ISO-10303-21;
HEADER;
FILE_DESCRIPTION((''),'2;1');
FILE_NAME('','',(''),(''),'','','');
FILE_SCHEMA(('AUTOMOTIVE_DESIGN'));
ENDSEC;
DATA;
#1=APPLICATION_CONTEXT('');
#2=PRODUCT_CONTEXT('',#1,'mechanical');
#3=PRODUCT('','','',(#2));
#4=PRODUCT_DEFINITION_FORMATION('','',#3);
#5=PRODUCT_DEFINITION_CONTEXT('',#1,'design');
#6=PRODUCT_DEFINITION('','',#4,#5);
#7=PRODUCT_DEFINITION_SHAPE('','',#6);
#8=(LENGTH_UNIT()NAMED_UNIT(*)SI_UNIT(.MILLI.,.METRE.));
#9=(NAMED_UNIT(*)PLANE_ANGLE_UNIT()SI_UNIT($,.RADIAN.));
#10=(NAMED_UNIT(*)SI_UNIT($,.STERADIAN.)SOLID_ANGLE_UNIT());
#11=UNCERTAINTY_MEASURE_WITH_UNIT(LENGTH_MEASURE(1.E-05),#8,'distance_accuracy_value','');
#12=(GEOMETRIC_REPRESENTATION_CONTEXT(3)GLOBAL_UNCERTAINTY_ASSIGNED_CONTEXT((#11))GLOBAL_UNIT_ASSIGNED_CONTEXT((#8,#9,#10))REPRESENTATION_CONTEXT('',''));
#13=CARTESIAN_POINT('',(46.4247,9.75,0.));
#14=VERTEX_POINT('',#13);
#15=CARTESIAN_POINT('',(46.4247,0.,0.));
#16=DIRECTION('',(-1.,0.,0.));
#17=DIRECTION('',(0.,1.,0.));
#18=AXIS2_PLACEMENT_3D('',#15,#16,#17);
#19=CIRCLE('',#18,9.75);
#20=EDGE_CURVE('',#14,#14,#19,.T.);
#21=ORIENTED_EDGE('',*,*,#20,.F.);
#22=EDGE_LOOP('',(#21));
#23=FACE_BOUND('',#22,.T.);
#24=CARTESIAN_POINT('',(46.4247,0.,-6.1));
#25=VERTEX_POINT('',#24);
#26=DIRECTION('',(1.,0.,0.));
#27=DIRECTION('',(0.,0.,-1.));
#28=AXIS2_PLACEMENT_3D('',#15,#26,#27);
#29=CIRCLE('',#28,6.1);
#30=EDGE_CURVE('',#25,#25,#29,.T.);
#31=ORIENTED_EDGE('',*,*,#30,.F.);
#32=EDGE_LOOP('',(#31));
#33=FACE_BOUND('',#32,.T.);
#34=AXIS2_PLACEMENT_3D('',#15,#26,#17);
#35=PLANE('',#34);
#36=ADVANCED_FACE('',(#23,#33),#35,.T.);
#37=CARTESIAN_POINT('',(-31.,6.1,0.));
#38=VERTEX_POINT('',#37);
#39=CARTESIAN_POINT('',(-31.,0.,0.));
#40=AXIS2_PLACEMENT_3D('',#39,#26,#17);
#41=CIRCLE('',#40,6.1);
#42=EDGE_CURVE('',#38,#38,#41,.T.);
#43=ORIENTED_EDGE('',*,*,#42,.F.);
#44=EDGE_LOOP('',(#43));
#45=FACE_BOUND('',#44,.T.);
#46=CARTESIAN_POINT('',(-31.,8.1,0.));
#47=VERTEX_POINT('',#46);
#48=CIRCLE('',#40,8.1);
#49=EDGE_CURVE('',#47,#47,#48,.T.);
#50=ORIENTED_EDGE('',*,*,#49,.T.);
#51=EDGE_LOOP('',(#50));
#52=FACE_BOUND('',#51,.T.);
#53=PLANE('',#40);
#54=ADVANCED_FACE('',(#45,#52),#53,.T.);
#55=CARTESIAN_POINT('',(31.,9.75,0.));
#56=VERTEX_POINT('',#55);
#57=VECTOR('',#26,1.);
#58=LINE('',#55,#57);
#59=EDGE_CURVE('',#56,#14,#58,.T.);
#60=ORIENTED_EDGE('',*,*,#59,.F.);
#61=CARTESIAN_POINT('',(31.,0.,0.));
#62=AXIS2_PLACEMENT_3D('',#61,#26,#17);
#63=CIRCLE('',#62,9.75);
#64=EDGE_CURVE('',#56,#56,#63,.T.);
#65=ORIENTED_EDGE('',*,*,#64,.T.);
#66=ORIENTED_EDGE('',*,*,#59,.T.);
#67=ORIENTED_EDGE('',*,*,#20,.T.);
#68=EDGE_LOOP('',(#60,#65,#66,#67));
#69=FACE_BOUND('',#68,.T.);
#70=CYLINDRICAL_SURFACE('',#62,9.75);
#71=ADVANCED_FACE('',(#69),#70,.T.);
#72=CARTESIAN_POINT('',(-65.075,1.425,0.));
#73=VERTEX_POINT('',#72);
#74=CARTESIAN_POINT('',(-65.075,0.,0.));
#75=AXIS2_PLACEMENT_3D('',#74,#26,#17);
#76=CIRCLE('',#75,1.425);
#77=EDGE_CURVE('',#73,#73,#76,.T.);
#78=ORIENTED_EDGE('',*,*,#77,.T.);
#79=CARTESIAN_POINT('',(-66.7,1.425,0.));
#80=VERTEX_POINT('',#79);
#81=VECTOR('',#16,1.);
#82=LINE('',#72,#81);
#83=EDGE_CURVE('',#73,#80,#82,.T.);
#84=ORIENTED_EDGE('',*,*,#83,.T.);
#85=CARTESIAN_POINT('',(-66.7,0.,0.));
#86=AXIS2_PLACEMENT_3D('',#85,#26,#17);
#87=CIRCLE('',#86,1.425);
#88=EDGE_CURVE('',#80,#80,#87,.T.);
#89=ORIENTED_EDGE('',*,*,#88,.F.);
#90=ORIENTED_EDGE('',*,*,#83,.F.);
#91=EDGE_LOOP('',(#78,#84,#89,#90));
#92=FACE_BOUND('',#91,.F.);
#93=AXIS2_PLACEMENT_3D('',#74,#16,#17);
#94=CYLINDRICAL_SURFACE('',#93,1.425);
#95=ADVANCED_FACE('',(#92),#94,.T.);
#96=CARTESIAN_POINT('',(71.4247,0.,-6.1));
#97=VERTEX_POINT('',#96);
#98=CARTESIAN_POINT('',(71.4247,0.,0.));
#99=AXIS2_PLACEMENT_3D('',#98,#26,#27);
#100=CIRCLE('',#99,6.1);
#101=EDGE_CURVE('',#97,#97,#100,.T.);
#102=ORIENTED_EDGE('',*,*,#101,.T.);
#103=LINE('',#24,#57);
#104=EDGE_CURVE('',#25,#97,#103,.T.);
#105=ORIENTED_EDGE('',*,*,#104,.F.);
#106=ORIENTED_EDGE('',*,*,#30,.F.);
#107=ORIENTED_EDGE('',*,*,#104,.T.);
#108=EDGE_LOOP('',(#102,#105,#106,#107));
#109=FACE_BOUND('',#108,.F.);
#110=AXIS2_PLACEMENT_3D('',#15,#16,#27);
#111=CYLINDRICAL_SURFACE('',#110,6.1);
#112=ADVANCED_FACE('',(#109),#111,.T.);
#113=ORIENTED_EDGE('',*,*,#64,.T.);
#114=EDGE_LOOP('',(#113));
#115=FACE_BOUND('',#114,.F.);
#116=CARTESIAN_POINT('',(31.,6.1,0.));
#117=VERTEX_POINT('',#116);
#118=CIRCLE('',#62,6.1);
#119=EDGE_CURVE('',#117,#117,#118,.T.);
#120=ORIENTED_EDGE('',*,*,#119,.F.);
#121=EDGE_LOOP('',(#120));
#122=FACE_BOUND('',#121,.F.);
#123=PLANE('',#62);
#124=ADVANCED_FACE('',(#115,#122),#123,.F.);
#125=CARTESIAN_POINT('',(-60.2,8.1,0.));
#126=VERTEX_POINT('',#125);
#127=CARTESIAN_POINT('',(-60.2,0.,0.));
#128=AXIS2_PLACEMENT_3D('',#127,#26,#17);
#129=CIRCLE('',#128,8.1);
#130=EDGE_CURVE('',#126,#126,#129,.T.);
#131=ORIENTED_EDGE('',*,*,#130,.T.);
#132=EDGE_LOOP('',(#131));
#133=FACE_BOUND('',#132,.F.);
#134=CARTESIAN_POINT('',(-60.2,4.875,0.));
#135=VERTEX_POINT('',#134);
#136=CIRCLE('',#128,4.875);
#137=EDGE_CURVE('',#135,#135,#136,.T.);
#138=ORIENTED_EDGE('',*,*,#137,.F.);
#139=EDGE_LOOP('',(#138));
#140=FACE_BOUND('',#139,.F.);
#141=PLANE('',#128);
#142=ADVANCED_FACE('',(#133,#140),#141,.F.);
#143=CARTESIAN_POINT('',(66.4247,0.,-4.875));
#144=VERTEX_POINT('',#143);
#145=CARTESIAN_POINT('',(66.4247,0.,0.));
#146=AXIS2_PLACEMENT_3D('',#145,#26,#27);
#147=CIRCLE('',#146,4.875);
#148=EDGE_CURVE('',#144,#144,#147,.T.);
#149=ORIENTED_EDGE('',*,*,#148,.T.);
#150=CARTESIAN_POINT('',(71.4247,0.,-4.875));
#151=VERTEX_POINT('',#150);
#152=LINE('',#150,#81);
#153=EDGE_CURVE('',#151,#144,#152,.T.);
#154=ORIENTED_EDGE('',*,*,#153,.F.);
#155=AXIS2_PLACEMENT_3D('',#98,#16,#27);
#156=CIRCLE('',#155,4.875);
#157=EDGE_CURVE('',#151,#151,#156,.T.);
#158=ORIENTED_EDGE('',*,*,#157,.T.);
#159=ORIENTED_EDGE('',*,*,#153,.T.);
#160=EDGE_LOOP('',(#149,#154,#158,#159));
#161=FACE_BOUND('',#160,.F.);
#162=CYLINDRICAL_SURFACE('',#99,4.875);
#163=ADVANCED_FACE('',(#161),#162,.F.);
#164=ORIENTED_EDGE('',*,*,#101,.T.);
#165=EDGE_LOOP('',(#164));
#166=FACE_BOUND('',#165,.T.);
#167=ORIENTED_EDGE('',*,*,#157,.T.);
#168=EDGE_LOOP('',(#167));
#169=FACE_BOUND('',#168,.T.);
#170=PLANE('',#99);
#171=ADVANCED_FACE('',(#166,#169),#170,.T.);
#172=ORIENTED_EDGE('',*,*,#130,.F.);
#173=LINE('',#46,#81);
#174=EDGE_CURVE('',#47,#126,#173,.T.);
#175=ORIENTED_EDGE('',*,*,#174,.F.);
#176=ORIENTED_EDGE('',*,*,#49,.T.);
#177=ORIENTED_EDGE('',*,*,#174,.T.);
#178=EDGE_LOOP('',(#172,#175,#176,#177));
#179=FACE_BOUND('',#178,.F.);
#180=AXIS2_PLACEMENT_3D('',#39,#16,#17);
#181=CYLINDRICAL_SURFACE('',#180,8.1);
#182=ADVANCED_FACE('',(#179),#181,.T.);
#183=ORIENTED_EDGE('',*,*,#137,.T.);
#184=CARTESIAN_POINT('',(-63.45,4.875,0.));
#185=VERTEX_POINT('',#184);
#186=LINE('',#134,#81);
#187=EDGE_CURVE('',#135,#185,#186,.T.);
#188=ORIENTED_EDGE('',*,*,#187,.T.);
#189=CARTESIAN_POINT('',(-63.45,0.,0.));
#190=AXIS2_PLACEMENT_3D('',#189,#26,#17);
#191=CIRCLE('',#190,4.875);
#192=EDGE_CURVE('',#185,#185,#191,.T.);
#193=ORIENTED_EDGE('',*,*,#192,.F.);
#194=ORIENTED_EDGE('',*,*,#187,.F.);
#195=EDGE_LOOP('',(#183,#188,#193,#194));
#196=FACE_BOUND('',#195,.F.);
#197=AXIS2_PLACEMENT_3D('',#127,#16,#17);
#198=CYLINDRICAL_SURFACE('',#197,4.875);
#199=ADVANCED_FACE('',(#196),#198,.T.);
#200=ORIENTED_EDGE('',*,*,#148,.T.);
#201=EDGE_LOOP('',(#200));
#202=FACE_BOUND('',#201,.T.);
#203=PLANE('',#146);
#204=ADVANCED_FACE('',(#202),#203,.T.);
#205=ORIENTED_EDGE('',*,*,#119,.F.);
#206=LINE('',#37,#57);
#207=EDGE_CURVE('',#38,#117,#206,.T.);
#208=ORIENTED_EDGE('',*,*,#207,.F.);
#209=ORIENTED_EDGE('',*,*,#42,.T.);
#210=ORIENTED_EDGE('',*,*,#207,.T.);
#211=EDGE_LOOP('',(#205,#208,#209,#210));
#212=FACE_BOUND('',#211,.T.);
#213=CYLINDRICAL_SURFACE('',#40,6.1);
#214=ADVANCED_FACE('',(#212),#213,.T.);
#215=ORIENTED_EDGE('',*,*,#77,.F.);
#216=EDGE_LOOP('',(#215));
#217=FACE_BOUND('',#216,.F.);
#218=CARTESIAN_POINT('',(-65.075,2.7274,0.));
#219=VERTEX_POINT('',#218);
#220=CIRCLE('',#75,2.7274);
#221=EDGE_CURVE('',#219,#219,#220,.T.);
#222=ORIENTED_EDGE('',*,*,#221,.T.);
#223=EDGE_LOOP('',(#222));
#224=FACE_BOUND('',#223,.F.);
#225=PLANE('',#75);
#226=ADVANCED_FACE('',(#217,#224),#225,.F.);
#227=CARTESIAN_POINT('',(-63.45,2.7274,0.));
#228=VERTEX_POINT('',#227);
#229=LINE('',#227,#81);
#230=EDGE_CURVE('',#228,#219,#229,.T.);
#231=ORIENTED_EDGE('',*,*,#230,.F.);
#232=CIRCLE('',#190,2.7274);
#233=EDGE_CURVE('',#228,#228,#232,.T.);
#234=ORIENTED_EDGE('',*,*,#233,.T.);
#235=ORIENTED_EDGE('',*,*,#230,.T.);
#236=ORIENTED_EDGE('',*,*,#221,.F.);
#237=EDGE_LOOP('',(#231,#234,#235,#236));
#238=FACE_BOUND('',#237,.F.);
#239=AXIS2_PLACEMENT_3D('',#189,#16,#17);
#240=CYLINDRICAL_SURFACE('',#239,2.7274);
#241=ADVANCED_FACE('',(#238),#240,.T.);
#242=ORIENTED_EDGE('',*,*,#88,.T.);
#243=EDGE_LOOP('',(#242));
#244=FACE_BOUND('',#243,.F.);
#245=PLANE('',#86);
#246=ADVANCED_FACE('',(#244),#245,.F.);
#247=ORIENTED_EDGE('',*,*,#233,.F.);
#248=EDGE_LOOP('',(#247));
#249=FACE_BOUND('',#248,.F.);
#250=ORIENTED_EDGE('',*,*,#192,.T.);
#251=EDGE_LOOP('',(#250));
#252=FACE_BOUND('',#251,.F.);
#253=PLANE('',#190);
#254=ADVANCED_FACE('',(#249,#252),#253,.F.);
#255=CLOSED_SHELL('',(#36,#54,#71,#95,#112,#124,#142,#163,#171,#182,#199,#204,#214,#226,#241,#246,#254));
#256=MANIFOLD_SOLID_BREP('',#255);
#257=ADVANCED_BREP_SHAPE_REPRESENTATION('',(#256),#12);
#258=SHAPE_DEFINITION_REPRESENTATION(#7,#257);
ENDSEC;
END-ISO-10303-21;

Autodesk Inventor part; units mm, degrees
ref_plane "YZ Plane" through (0, 0, 0) normal (1, 0, 0) x (0, 1, 0)
ref_plane "XZ Plane" through (0, 0, 0) normal (0, 1, 0) x (-1, 0, 0)
ref_plane "XY Plane" through (0, 0, 0) normal (0, 0, 1) x (1, 0, 0)
sketch "Sketch1" plane through (0, 0, 0) normal (0, 0, 1) x (1, 0, 0)
  line L0 (-31, 6.1) -> (0, 6.1)
  line L1 (0, 6.1) -> (31, 6.1)
  line L2 (0, 10.5424) -> (0, 0) construction
  line L3 (31, 9.75) -> (31, 6.1)
  line L4 (77, 9.75) -> (77, 0)
  line L5 (46.4247, 9.75) -> (46.4247, 4.1503)
  line L6 (46.4247, 4.1503) -> (48.4247, 4.1503)
  line L7 (48.4247, 4.1503) -> (48.4247, 9.75)
  line L8 (31, 9.75) -> (46.4247, 9.75) construction
  line L9 (31, 9.75) -> (46.4247, 9.75)
  line L10 (62.7124, 9.75) -> (62.7124, 9.1289)
  line L11 (62.7124, 9.1289) -> (62.9117, 9.1289)
  line L12 (62.9117, 9.1289) -> (62.9117, 9.75)
  line L13 (48.4247, 9.75) -> (62.7124, 9.75) construction
  line L14 (62.9117, 9.75) -> (77, 9.75) construction
  line L15 (48.4247, 9.75) -> (62.7124, 9.75)
  line L16 (62.9117, 9.75) -> (77, 9.75)
  line L17 (-31, 8.1) -> (-60.2, 8.1)
  line L18 (-60.2, 8.1) -> (-60.2, 0)
  line L19 (-31, 8.1) -> (-31, 6.1)
  line L20 (-60.2, 4.875) -> (-63.45, 4.875)
  line L21 (-66.7, 0) -> (-60.2, 0)
  line L22 (-63.45, 4.875) -> (-63.45, 2.7274)
  line L23 (-63.45, 2.7274) -> (-65.075, 2.7274)
  line L24 (-65.075, 2.7274) -> (-65.075, 1.425)
  line L25 (-65.075, 1.425) -> (-66.7, 1.425)
  line L26 (-66.7, 1.425) -> (-66.7, 0)
  line L27 (-60.2, 0) -> (77, 0)
  line L28 (-95.44, 0) -> (105.74, 0) projected
  dimension "d1" = 31
  dimension "d2" = 31
  dimension "d3" = 6.1
  dimension "d4" = 46
  dimension "d6" = 2
  dimension "d7" = 29.2
  dimension "d8" = 8.1
  dimension "d10" = 1.425
  dimension "d11" = 6.5
revolve "Revolution1" add sketch "Sketch1" angle 360 about axis through (-10, 0, 0) along (1, 0, 0)
sketch "Sketch2" plane through (77, 0, 0) normal (1, 0, 0) x (0, 0, -1)
  circle A0 centre (0, 0) radius 9.75 projected
extrude "Extrusion1" cut sketch "Sketch2" against normal up to surface (30.5753 mm away)
sketch "Sketch3" plane through (46.4247, 0, 0) normal (1, 0, 0) x (0, 0, -1)
  circle A0 centre (0, 0) radius 6.1
  dimension "d15" = 12.2
extrude "Extrusion2" add sketch "Sketch3" along normal blind 25
sketch "Sketch4" plane through (71.4247, 0, 0) normal (1, 0, 0) x (0, 0, -1)
  circle A0 centre (0, 0) radius 4.875
  circle A1 centre (0, 0) radius 6.1 projected
  line L0 (0, 0) -> (0, 10.6003)
  line L1 (0, 0) -> (6.8931, 6.8955)
  circle A2 centre (0, 0) radius 9.75 projected
  circle A3 centre (0, 0) radius 8.1
  circle A4 centre (0, 0) radius 9.75
extrude "Extrusion3" cut sketch "Sketch4" against normal blind 5 contours A0 L0 L1 | L1 L0 A0
properties part number "PH Monitor"
